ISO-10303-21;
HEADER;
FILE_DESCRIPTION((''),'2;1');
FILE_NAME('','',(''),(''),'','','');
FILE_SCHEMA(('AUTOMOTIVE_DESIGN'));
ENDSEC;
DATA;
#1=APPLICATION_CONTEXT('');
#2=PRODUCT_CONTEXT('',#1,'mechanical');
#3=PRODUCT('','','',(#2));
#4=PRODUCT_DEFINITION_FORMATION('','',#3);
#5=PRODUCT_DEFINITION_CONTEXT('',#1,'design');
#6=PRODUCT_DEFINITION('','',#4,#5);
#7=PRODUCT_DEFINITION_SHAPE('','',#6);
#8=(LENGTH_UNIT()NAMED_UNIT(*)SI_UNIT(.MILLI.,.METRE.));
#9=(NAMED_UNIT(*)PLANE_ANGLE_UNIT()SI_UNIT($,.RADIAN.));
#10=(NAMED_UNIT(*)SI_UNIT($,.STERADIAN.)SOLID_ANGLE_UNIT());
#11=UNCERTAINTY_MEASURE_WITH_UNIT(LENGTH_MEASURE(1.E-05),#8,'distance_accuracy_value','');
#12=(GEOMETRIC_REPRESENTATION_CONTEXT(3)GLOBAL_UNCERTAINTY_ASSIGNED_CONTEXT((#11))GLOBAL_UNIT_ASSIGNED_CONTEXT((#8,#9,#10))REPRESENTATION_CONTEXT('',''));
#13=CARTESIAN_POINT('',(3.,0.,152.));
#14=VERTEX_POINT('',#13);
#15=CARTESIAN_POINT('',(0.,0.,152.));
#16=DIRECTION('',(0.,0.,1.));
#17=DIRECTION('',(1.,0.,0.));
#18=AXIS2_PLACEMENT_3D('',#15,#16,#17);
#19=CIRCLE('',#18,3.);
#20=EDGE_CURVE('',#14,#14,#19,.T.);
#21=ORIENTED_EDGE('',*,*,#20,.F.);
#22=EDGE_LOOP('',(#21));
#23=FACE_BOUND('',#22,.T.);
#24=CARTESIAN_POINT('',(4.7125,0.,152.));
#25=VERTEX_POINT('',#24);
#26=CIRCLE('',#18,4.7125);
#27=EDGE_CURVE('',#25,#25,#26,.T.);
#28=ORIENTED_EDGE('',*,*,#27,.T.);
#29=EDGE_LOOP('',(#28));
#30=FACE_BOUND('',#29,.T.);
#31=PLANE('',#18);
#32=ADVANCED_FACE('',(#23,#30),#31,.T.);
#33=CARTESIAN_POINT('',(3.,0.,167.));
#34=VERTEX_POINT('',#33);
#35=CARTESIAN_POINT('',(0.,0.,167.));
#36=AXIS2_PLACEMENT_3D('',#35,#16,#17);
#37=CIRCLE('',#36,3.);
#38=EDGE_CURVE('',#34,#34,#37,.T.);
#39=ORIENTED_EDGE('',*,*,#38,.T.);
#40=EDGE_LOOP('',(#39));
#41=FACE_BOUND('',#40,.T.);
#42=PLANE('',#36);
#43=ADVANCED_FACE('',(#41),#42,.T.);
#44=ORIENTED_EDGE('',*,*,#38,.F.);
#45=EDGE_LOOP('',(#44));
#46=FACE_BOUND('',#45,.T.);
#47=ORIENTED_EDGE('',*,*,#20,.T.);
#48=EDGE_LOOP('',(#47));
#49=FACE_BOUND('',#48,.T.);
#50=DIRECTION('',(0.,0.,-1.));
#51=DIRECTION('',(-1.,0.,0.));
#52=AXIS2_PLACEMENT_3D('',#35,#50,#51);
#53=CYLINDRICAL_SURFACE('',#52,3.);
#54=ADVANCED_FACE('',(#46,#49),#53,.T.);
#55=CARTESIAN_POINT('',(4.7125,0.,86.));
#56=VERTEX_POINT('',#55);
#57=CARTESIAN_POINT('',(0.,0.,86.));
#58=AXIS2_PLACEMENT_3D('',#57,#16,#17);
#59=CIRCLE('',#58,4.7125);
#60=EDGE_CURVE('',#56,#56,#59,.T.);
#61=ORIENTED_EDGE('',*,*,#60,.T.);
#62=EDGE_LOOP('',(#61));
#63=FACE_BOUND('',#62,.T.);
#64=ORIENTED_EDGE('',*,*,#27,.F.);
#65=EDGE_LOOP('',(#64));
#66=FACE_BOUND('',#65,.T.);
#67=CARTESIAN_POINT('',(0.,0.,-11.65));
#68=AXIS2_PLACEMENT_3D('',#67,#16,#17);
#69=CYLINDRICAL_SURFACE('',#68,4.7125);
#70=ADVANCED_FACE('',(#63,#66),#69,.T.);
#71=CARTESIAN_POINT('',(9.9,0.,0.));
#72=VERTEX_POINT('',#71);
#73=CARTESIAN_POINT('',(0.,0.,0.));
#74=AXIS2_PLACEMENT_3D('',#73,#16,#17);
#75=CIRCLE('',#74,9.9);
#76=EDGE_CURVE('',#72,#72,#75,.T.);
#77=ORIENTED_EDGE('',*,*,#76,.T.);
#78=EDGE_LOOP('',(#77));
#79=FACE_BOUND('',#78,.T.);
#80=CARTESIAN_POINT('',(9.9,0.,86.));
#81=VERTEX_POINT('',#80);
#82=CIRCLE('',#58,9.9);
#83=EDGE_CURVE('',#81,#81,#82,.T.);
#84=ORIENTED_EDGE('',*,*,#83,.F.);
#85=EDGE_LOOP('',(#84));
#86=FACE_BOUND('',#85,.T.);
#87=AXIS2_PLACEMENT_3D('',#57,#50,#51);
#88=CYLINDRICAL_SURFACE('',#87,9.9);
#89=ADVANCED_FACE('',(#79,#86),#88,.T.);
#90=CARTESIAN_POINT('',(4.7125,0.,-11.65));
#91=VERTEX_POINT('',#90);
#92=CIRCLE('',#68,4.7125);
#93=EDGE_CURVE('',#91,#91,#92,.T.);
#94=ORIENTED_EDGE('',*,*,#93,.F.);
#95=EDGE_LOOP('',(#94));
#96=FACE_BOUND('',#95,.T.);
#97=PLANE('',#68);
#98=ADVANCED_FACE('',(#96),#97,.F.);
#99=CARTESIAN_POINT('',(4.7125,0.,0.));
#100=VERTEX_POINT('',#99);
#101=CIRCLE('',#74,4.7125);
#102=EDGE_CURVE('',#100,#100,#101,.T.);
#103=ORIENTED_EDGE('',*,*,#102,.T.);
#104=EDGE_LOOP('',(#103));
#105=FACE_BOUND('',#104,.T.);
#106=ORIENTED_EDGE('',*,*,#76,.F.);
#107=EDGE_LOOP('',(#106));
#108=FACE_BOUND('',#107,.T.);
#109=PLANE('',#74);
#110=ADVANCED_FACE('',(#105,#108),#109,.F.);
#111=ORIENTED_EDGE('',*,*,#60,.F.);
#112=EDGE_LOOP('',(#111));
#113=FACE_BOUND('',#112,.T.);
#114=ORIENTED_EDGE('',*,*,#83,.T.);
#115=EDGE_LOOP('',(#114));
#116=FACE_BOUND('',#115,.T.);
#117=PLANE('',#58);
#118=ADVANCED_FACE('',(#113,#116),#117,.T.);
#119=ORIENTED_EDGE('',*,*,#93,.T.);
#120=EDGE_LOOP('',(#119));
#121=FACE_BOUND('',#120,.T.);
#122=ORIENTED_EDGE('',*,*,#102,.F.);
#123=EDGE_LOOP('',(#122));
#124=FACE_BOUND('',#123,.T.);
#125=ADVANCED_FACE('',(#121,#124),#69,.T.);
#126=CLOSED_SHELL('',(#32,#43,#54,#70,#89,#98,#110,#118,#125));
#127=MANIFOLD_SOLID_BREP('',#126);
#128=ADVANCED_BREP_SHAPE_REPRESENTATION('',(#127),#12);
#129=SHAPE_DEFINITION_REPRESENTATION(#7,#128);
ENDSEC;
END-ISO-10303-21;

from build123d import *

# Parameters (mm, degrees)
SKETCH1_R                = 9.9
BOSS_EXTRUDE1_DEPTH      = 86
BOSS_EXTRUDE3_DEPTH      = 66
BOSS_EXTRUDE3_DEPTH_BACK = 97.65
SKETCH3_R                = 4.7125
BOSS_EXTRUDE2_START      = 66
SKETCH2_R                = 3
BOSS_EXTRUDE2_DEPTH      = 15


with BuildPart() as part:
    # Sketch1 → Boss-Extrude1 (new body)
    with BuildSketch(Plane.XY):
        Circle(SKETCH1_R)
    extrude(amount=BOSS_EXTRUDE1_DEPTH)

    # Sketch3 → Boss-Extrude3 (add, two sides: drawn at the far end of the back side and taken through both)
    with BuildSketch(Plane.XY.offset(86).offset(-BOSS_EXTRUDE3_DEPTH_BACK)):
        Circle(SKETCH3_R)
    extrude(amount=BOSS_EXTRUDE3_DEPTH + BOSS_EXTRUDE3_DEPTH_BACK)

    # Sketch2 → Boss-Extrude2 (add)
    with BuildSketch(Plane.XY.offset(86).offset(BOSS_EXTRUDE2_START)):
        Circle(SKETCH2_R)
    extrude(amount=BOSS_EXTRUDE2_DEPTH)


solid = part.part
